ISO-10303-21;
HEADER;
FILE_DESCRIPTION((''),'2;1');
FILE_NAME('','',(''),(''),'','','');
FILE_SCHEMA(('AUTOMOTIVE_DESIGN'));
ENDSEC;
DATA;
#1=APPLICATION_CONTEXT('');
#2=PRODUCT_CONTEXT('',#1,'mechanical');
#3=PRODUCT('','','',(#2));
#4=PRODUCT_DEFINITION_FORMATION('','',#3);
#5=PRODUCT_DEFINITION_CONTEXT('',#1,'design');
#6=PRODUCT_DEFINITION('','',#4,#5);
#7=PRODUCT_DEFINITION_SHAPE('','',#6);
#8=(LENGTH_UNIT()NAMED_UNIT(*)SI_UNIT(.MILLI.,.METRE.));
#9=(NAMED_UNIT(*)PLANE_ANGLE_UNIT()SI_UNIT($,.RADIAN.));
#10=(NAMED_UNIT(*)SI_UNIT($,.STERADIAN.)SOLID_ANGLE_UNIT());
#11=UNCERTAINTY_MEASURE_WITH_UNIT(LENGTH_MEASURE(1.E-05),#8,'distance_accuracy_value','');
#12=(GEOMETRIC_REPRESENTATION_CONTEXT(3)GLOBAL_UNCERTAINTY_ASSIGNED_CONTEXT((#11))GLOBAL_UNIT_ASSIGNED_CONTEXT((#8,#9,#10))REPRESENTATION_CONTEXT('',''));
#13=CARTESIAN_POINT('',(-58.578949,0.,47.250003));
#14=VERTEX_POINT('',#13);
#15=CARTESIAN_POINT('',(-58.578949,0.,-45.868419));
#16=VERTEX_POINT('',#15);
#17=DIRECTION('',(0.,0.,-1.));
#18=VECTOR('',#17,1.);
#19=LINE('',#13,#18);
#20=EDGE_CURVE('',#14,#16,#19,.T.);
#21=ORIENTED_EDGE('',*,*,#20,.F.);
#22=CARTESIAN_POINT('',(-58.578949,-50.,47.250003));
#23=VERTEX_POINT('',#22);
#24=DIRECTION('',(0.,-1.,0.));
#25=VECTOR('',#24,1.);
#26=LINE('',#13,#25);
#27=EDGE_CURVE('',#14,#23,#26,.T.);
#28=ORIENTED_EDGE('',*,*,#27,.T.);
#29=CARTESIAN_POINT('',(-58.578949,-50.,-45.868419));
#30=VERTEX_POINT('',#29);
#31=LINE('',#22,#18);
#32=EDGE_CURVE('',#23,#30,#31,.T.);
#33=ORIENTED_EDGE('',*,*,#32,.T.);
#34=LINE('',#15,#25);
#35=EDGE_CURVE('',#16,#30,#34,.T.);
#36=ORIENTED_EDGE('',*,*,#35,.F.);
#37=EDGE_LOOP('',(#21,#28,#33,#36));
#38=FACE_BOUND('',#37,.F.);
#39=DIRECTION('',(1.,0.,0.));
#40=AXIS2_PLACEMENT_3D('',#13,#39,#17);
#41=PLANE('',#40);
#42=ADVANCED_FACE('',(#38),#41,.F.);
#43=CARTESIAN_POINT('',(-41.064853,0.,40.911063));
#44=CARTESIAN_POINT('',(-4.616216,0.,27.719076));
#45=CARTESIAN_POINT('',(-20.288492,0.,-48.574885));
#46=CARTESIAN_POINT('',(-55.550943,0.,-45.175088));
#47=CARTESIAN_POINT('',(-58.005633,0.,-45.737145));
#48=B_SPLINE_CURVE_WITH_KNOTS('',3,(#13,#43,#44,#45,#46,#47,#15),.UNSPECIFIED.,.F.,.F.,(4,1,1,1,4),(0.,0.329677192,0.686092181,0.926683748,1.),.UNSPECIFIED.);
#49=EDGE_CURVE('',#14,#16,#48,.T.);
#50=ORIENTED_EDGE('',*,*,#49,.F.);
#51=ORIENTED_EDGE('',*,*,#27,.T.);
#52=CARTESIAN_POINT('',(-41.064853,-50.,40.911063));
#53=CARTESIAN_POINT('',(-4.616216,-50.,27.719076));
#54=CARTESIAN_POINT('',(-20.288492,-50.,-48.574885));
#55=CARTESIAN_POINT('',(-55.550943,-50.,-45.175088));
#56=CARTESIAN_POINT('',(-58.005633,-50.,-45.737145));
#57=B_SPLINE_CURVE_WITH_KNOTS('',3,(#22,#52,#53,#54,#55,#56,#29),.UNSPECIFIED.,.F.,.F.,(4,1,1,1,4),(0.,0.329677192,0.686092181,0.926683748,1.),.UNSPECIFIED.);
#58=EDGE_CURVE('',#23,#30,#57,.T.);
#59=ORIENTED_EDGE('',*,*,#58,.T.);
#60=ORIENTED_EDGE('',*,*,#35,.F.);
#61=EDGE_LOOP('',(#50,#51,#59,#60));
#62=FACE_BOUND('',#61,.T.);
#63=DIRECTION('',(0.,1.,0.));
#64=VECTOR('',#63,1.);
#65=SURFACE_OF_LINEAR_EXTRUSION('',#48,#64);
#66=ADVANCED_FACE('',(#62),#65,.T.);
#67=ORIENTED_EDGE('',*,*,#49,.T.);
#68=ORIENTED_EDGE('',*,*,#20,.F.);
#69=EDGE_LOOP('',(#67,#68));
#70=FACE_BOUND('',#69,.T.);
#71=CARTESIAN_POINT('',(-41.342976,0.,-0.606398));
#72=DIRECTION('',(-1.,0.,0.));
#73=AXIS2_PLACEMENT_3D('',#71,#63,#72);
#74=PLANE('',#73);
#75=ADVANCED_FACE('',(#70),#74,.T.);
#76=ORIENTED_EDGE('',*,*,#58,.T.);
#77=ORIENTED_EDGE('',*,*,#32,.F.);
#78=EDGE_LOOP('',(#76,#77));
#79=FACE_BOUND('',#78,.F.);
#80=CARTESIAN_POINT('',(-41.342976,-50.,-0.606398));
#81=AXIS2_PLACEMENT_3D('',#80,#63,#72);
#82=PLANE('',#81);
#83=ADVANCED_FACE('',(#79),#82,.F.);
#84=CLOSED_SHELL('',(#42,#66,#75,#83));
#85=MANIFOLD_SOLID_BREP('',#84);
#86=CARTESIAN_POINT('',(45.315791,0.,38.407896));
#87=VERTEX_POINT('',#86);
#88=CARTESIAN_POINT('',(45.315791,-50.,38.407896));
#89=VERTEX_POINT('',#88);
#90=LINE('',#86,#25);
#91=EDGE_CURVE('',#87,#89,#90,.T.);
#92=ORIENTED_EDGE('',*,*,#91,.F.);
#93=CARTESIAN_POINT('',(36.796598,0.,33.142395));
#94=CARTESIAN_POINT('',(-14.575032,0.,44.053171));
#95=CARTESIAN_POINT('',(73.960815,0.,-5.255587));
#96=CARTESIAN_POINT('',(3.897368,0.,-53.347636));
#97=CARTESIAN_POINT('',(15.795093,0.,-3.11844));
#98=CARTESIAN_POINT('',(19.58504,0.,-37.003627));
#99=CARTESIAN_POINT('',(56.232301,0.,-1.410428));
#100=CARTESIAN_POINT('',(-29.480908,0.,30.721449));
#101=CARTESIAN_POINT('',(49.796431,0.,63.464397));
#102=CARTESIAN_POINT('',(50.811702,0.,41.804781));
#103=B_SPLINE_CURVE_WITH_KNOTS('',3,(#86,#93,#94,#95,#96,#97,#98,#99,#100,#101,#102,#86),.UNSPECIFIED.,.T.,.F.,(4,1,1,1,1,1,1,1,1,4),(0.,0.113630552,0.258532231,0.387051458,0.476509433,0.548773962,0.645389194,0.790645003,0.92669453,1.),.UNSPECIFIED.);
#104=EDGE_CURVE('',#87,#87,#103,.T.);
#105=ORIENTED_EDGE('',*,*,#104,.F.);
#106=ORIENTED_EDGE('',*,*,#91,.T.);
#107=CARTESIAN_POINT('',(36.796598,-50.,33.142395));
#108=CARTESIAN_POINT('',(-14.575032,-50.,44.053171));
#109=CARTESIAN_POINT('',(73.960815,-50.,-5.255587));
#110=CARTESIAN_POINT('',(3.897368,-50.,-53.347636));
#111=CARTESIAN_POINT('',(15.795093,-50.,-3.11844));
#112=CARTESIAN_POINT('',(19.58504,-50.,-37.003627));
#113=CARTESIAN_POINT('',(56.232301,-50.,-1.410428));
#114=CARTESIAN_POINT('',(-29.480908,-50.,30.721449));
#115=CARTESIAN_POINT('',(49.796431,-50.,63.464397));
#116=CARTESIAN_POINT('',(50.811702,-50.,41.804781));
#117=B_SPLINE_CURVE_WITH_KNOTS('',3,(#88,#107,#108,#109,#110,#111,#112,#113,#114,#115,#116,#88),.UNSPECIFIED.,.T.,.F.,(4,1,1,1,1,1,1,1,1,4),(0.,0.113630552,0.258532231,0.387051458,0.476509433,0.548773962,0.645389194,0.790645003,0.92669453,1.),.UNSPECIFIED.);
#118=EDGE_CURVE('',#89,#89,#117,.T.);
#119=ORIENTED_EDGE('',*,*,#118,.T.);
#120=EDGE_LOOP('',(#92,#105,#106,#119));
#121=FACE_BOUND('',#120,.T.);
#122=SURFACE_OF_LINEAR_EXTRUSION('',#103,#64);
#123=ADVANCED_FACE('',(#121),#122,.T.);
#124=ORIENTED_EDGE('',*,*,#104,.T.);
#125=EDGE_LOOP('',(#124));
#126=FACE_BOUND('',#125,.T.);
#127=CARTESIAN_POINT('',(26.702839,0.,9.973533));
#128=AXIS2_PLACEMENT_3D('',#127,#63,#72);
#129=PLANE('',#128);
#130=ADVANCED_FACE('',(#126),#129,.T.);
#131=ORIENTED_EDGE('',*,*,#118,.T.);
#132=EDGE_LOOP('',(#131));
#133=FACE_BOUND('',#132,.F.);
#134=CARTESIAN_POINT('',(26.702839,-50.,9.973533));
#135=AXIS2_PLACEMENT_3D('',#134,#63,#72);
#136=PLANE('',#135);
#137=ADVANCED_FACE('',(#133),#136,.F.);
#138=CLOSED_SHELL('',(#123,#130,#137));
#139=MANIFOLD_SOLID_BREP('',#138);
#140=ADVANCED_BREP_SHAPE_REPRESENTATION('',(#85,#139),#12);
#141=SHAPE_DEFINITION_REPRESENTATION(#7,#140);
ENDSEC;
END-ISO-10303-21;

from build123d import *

# Parameters (mm, degrees)
F1_DEPTH = 50


with BuildPart() as f1:
    # F0 (on Front) → F1 (new body)
    with BuildSketch(Plane.XZ):
        with BuildLine():
            add(Edge.make_bspline(
                [(-58.5789494216, 47.2500026226), (-41.0648534395, 40.9110627185), (-4.6162164451, 27.7190761192), (-20.2884921586, -48.5748848771), (-55.5509430347, -45.175087657), (-58.0056325858, -45.7371450828), (-58.5789494216, -45.8684191108)],
                knots=[0, 0, 0, 0, 0.3296771922, 0.6860921806, 0.926683748, 1, 1, 1, 1], degree=3))
            Line((-58.5789494216, 47.2500026226), (-58.5789494216, -45.8684191108))
        make_face()
    extrude(amount=F1_DEPTH)


with BuildPart() as f1b:
    # F0 (on Front) → F1, piece 2 (new body)
    with BuildSketch(Plane.XZ):
        with BuildLine():
            add(Edge.make_bspline(
                [(45.3157909214, 38.407895714), (36.7965977746, 33.1423952031), (-14.5750315916, 44.0531709276), (73.960815496, -5.2555874166), (3.8973676372, -53.3476360897), (15.7950925214, -3.1184399545), (19.5850402384, -37.0036271323), (56.2323014307, -1.4104277392), (-29.4809080164, 30.7214493509), (49.7964310006, 63.4643966433), (50.8117023693, 41.8047813156), (45.3157909214, 38.407895714)],
                knots=[0, 0, 0, 0, 0.1136305523, 0.2585322315, 0.3870514579, 0.4765094333, 0.548773962, 0.6453891938, 0.7906450032, 0.9266945305, 1, 1, 1, 1], degree=3))
        make_face()
    extrude(amount=F1_DEPTH)


solid = Compound([f1.part, f1b.part])
